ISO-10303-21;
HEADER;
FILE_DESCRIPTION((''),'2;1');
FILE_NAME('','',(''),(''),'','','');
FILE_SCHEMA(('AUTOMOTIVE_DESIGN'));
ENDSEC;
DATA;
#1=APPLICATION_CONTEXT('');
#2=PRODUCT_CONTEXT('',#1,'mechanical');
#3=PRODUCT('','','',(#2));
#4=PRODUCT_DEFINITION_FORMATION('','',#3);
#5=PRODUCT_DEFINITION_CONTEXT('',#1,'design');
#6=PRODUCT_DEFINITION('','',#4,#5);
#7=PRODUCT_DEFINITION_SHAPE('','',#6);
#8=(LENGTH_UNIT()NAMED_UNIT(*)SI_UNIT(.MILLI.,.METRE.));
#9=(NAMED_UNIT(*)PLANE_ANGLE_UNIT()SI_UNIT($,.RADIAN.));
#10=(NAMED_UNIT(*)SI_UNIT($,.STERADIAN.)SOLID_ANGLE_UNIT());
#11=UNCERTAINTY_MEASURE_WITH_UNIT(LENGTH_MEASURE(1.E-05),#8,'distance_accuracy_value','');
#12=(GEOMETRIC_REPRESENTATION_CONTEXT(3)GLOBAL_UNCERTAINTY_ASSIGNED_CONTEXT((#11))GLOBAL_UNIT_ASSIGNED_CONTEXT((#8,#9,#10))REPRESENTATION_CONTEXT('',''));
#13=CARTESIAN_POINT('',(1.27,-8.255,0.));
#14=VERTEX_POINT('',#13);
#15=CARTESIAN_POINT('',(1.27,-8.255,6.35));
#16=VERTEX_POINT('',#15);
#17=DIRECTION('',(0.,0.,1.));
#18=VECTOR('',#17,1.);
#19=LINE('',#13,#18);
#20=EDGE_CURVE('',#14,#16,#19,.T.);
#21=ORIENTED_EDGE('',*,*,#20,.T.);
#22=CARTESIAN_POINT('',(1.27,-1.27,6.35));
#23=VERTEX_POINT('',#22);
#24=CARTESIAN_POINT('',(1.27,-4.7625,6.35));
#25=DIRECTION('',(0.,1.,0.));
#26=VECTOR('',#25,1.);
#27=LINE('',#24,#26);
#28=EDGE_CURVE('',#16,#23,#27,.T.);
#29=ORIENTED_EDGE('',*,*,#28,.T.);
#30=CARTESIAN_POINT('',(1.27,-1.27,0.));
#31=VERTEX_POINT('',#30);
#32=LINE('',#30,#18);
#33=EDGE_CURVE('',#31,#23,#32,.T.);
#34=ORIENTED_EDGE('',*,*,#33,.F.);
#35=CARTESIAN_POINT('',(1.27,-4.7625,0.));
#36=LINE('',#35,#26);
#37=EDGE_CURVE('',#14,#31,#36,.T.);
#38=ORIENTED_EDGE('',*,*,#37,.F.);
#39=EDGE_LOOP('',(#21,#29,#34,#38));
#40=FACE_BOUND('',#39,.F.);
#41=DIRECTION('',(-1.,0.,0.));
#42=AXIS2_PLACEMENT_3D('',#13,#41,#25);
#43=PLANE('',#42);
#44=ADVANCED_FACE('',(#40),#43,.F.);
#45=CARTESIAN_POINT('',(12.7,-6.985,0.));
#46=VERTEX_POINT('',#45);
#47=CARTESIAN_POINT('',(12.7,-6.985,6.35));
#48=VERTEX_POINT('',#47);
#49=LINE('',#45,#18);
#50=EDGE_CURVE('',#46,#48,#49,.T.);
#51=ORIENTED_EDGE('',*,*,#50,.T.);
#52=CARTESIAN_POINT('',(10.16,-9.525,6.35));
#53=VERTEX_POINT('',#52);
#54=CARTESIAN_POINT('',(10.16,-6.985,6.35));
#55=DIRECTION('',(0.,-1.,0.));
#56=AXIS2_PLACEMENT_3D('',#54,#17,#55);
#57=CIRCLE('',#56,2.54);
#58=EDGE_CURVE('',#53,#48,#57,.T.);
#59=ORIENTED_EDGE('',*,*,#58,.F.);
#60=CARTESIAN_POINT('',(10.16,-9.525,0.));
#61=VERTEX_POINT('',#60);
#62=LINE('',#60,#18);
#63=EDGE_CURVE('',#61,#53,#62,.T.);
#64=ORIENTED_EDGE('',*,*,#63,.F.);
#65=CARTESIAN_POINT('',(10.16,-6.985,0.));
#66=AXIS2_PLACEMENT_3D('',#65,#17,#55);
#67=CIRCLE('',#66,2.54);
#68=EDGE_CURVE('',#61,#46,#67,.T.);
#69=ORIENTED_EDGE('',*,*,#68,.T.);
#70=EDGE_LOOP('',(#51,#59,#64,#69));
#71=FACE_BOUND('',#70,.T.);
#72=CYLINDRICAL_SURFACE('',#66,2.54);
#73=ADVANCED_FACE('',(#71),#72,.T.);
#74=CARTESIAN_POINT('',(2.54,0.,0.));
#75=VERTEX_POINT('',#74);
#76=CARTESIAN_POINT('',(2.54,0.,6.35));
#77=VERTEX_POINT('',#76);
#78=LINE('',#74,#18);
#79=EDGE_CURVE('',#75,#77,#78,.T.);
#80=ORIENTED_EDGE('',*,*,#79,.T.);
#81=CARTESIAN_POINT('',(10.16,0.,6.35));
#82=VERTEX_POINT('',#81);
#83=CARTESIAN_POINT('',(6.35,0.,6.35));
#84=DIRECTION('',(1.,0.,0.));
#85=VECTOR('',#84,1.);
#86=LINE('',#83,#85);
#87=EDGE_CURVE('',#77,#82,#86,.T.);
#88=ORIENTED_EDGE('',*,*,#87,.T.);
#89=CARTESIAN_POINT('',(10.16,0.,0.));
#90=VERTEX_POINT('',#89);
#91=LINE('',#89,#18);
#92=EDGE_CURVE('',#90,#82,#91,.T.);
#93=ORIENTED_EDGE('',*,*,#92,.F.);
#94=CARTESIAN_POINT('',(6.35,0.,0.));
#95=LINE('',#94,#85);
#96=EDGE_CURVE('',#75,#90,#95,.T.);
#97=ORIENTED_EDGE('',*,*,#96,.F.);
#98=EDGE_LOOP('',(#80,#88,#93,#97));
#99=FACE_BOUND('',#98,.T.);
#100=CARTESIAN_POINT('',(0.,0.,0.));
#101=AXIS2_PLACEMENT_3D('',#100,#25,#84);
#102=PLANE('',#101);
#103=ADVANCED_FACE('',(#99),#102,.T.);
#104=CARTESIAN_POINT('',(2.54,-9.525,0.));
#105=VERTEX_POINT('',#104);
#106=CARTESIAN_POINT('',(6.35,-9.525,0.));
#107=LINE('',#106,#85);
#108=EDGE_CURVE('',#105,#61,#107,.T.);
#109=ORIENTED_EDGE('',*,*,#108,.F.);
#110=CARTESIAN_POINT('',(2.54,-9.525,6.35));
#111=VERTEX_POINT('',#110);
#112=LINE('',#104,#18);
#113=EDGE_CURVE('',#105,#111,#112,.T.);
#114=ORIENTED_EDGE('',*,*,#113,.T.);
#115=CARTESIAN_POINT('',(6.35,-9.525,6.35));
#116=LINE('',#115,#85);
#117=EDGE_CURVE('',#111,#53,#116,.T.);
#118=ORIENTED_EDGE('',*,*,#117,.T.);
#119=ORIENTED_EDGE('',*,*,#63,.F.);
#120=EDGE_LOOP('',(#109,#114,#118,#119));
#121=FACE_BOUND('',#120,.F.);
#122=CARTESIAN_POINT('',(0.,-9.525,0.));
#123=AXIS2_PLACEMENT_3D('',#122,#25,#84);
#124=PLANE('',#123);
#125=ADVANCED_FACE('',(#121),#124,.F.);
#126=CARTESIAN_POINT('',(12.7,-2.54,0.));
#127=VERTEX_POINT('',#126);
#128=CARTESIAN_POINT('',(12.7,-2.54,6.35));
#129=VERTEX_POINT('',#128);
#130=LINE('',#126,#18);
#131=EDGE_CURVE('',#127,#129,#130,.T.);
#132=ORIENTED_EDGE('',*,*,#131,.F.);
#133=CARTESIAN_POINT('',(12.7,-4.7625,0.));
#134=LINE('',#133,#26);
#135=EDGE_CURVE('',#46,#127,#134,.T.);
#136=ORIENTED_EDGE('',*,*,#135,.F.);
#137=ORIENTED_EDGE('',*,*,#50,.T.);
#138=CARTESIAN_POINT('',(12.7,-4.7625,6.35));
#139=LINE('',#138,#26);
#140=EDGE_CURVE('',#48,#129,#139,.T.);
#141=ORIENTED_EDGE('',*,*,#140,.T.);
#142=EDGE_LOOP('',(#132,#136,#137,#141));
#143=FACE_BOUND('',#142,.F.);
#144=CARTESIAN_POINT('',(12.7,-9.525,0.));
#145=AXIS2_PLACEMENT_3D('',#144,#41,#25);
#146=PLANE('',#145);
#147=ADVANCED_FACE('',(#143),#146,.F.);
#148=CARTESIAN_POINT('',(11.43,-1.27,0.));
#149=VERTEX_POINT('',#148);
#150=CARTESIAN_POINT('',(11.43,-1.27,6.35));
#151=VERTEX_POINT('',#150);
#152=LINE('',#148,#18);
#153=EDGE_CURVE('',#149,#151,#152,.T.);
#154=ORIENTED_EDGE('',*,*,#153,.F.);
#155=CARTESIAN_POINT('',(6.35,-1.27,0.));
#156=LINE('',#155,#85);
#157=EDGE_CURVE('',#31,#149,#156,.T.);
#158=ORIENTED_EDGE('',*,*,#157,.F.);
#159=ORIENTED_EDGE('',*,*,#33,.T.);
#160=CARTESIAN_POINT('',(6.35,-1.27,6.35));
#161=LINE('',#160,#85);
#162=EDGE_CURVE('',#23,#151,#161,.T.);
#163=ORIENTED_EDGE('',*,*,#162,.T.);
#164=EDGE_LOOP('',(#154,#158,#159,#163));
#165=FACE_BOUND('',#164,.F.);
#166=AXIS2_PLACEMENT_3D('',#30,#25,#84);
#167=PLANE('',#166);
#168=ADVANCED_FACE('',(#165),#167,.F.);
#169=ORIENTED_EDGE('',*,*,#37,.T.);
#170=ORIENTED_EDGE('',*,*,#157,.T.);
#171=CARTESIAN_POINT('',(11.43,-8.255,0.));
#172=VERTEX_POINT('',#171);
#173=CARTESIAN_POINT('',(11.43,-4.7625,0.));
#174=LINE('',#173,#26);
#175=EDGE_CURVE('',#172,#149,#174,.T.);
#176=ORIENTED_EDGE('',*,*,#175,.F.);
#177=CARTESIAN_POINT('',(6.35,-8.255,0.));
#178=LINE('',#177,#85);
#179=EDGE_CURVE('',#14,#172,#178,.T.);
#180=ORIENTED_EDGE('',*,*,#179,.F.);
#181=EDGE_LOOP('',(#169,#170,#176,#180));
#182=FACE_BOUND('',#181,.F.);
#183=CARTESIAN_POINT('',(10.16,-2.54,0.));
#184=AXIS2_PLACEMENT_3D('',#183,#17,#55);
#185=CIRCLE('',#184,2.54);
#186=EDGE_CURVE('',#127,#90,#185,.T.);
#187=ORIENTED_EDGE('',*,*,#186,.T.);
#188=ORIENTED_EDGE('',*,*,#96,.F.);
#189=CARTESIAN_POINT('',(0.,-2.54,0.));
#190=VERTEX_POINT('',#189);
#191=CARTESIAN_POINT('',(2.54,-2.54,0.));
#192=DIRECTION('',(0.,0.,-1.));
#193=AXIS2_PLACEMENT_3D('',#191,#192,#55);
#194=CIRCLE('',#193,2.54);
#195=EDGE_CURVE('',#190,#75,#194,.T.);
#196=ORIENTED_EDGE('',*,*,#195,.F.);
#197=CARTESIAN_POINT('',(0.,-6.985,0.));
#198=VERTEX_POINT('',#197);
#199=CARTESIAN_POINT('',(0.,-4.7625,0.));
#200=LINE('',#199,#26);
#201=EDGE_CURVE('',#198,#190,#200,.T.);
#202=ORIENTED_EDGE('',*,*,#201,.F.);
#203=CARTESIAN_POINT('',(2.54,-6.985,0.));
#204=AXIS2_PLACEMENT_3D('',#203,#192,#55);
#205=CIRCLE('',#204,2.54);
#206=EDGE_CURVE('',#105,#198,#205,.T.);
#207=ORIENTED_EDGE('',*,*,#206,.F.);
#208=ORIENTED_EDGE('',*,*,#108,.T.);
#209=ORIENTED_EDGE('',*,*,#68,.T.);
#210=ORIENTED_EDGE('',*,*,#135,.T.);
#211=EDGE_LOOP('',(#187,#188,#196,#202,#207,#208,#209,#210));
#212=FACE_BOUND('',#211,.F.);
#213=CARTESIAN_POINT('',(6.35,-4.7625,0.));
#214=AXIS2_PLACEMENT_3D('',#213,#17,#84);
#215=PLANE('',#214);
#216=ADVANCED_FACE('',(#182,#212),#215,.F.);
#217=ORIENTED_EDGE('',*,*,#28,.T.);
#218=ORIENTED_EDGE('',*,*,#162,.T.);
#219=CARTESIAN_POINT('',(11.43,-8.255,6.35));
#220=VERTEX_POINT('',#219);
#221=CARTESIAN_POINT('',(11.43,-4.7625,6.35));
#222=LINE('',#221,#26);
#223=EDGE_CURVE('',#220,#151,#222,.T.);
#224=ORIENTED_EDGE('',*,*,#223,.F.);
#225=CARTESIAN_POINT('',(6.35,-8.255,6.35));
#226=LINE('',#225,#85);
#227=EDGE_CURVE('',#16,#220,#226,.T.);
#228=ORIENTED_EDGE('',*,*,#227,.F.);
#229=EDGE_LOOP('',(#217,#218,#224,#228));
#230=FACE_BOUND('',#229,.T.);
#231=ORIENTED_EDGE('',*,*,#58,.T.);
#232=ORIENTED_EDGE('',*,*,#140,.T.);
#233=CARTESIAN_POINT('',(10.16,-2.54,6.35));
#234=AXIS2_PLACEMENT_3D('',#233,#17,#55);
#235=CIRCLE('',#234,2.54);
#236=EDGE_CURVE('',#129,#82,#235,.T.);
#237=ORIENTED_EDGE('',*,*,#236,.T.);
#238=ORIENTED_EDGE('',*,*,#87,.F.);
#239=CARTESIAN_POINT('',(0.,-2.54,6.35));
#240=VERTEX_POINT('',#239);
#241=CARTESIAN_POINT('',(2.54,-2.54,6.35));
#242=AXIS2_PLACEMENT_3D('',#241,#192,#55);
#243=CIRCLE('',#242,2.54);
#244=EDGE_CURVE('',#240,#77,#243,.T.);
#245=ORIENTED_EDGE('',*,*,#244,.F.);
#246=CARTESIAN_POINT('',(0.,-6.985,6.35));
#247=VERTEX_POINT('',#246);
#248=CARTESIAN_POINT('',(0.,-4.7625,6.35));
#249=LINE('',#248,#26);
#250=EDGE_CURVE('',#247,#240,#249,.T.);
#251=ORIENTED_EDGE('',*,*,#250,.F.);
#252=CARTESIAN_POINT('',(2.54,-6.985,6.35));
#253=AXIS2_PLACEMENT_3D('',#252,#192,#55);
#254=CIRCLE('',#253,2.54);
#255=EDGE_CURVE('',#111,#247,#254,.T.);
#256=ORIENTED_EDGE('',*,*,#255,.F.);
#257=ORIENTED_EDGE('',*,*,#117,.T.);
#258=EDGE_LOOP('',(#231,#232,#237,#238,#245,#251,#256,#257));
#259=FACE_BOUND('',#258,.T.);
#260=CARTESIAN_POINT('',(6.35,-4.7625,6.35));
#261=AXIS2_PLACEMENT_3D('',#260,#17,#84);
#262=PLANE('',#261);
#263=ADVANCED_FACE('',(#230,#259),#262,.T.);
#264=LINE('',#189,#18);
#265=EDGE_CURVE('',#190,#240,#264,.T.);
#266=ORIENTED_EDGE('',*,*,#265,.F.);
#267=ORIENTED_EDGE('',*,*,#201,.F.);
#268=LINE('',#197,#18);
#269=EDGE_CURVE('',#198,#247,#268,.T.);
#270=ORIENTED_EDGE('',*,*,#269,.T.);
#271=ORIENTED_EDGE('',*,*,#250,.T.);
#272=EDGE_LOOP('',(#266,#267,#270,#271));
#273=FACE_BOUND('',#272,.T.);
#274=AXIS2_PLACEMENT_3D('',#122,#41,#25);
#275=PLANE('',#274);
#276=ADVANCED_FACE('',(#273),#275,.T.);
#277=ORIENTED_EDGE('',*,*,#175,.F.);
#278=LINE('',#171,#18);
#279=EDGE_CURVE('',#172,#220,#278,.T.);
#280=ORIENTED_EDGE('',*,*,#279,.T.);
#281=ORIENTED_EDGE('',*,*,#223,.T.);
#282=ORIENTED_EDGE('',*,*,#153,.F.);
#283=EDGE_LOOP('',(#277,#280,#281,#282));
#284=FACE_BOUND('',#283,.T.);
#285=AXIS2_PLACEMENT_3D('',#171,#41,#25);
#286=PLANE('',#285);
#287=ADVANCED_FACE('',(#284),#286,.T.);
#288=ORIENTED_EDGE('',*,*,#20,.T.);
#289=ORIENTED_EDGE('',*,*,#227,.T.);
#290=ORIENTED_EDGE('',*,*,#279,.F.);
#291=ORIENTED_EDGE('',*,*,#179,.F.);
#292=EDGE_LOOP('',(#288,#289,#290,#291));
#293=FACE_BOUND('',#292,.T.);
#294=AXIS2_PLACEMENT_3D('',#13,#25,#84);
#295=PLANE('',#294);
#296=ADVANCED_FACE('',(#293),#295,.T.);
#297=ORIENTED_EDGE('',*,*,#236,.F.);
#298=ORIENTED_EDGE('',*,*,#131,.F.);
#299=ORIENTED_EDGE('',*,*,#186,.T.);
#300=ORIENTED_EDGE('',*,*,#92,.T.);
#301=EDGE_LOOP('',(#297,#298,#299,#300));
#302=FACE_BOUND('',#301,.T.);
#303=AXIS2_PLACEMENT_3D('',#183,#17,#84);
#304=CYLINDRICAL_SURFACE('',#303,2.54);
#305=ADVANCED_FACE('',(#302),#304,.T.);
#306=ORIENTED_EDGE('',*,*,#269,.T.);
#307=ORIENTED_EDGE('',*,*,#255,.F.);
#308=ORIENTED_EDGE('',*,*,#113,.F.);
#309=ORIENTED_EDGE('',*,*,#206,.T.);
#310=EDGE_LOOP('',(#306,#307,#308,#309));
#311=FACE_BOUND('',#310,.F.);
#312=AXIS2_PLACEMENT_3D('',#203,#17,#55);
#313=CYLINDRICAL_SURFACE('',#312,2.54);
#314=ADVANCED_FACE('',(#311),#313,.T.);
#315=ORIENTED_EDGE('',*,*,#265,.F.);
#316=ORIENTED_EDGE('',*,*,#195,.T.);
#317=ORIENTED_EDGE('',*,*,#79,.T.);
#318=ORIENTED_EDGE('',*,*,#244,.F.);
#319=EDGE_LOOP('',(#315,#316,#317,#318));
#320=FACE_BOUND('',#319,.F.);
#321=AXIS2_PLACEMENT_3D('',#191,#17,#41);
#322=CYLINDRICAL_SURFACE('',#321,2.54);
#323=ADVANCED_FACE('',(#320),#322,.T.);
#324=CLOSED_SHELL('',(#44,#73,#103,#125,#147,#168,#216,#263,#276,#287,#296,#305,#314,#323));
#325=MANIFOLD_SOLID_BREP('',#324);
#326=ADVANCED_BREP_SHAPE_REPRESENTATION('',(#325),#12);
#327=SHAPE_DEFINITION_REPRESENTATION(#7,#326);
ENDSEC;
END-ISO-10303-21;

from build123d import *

# Parameters (mm, degrees)
F0_W     = 12.7
F0_H     = 9.525
F0_W_2   = 10.16
F0_H_2   = 6.985
F1_DEPTH = 6.35
F2_R     = 2.54
F3_R     = 2.54
F4_R     = 2.54


with BuildPart() as f1:
    # F0 (on Top) → F1 (new body)
    with BuildSketch(Plane.XY):
        with Locations((6.35, -4.7625)):
            Rectangle(F0_W, F0_H)
        with Locations((6.35, -4.7625)):
            Rectangle(F0_W_2, F0_H_2, mode=Mode.SUBTRACT)
    extrude(amount=F1_DEPTH)

    # F2
    f2_edges = [f1.edges().sort_by_distance(p)[0] for p in [
        (12.7, -9.525, 3.175),
    ]]
    fillet(f2_edges, radius=F2_R)

    # F3
    f3_edges = [f1.edges().sort_by_distance(p)[0] for p in [
        (0, -9.525, 3.175),
    ]]
    fillet(f3_edges, radius=F3_R)

    # F4
    f4_edges = [f1.edges().sort_by_distance(p)[0] for p in [
        (12.7, 0, 3.175),
        (0, 0, 3.175),
    ]]
    fillet(f4_edges, radius=F4_R)


solid = f1.part
